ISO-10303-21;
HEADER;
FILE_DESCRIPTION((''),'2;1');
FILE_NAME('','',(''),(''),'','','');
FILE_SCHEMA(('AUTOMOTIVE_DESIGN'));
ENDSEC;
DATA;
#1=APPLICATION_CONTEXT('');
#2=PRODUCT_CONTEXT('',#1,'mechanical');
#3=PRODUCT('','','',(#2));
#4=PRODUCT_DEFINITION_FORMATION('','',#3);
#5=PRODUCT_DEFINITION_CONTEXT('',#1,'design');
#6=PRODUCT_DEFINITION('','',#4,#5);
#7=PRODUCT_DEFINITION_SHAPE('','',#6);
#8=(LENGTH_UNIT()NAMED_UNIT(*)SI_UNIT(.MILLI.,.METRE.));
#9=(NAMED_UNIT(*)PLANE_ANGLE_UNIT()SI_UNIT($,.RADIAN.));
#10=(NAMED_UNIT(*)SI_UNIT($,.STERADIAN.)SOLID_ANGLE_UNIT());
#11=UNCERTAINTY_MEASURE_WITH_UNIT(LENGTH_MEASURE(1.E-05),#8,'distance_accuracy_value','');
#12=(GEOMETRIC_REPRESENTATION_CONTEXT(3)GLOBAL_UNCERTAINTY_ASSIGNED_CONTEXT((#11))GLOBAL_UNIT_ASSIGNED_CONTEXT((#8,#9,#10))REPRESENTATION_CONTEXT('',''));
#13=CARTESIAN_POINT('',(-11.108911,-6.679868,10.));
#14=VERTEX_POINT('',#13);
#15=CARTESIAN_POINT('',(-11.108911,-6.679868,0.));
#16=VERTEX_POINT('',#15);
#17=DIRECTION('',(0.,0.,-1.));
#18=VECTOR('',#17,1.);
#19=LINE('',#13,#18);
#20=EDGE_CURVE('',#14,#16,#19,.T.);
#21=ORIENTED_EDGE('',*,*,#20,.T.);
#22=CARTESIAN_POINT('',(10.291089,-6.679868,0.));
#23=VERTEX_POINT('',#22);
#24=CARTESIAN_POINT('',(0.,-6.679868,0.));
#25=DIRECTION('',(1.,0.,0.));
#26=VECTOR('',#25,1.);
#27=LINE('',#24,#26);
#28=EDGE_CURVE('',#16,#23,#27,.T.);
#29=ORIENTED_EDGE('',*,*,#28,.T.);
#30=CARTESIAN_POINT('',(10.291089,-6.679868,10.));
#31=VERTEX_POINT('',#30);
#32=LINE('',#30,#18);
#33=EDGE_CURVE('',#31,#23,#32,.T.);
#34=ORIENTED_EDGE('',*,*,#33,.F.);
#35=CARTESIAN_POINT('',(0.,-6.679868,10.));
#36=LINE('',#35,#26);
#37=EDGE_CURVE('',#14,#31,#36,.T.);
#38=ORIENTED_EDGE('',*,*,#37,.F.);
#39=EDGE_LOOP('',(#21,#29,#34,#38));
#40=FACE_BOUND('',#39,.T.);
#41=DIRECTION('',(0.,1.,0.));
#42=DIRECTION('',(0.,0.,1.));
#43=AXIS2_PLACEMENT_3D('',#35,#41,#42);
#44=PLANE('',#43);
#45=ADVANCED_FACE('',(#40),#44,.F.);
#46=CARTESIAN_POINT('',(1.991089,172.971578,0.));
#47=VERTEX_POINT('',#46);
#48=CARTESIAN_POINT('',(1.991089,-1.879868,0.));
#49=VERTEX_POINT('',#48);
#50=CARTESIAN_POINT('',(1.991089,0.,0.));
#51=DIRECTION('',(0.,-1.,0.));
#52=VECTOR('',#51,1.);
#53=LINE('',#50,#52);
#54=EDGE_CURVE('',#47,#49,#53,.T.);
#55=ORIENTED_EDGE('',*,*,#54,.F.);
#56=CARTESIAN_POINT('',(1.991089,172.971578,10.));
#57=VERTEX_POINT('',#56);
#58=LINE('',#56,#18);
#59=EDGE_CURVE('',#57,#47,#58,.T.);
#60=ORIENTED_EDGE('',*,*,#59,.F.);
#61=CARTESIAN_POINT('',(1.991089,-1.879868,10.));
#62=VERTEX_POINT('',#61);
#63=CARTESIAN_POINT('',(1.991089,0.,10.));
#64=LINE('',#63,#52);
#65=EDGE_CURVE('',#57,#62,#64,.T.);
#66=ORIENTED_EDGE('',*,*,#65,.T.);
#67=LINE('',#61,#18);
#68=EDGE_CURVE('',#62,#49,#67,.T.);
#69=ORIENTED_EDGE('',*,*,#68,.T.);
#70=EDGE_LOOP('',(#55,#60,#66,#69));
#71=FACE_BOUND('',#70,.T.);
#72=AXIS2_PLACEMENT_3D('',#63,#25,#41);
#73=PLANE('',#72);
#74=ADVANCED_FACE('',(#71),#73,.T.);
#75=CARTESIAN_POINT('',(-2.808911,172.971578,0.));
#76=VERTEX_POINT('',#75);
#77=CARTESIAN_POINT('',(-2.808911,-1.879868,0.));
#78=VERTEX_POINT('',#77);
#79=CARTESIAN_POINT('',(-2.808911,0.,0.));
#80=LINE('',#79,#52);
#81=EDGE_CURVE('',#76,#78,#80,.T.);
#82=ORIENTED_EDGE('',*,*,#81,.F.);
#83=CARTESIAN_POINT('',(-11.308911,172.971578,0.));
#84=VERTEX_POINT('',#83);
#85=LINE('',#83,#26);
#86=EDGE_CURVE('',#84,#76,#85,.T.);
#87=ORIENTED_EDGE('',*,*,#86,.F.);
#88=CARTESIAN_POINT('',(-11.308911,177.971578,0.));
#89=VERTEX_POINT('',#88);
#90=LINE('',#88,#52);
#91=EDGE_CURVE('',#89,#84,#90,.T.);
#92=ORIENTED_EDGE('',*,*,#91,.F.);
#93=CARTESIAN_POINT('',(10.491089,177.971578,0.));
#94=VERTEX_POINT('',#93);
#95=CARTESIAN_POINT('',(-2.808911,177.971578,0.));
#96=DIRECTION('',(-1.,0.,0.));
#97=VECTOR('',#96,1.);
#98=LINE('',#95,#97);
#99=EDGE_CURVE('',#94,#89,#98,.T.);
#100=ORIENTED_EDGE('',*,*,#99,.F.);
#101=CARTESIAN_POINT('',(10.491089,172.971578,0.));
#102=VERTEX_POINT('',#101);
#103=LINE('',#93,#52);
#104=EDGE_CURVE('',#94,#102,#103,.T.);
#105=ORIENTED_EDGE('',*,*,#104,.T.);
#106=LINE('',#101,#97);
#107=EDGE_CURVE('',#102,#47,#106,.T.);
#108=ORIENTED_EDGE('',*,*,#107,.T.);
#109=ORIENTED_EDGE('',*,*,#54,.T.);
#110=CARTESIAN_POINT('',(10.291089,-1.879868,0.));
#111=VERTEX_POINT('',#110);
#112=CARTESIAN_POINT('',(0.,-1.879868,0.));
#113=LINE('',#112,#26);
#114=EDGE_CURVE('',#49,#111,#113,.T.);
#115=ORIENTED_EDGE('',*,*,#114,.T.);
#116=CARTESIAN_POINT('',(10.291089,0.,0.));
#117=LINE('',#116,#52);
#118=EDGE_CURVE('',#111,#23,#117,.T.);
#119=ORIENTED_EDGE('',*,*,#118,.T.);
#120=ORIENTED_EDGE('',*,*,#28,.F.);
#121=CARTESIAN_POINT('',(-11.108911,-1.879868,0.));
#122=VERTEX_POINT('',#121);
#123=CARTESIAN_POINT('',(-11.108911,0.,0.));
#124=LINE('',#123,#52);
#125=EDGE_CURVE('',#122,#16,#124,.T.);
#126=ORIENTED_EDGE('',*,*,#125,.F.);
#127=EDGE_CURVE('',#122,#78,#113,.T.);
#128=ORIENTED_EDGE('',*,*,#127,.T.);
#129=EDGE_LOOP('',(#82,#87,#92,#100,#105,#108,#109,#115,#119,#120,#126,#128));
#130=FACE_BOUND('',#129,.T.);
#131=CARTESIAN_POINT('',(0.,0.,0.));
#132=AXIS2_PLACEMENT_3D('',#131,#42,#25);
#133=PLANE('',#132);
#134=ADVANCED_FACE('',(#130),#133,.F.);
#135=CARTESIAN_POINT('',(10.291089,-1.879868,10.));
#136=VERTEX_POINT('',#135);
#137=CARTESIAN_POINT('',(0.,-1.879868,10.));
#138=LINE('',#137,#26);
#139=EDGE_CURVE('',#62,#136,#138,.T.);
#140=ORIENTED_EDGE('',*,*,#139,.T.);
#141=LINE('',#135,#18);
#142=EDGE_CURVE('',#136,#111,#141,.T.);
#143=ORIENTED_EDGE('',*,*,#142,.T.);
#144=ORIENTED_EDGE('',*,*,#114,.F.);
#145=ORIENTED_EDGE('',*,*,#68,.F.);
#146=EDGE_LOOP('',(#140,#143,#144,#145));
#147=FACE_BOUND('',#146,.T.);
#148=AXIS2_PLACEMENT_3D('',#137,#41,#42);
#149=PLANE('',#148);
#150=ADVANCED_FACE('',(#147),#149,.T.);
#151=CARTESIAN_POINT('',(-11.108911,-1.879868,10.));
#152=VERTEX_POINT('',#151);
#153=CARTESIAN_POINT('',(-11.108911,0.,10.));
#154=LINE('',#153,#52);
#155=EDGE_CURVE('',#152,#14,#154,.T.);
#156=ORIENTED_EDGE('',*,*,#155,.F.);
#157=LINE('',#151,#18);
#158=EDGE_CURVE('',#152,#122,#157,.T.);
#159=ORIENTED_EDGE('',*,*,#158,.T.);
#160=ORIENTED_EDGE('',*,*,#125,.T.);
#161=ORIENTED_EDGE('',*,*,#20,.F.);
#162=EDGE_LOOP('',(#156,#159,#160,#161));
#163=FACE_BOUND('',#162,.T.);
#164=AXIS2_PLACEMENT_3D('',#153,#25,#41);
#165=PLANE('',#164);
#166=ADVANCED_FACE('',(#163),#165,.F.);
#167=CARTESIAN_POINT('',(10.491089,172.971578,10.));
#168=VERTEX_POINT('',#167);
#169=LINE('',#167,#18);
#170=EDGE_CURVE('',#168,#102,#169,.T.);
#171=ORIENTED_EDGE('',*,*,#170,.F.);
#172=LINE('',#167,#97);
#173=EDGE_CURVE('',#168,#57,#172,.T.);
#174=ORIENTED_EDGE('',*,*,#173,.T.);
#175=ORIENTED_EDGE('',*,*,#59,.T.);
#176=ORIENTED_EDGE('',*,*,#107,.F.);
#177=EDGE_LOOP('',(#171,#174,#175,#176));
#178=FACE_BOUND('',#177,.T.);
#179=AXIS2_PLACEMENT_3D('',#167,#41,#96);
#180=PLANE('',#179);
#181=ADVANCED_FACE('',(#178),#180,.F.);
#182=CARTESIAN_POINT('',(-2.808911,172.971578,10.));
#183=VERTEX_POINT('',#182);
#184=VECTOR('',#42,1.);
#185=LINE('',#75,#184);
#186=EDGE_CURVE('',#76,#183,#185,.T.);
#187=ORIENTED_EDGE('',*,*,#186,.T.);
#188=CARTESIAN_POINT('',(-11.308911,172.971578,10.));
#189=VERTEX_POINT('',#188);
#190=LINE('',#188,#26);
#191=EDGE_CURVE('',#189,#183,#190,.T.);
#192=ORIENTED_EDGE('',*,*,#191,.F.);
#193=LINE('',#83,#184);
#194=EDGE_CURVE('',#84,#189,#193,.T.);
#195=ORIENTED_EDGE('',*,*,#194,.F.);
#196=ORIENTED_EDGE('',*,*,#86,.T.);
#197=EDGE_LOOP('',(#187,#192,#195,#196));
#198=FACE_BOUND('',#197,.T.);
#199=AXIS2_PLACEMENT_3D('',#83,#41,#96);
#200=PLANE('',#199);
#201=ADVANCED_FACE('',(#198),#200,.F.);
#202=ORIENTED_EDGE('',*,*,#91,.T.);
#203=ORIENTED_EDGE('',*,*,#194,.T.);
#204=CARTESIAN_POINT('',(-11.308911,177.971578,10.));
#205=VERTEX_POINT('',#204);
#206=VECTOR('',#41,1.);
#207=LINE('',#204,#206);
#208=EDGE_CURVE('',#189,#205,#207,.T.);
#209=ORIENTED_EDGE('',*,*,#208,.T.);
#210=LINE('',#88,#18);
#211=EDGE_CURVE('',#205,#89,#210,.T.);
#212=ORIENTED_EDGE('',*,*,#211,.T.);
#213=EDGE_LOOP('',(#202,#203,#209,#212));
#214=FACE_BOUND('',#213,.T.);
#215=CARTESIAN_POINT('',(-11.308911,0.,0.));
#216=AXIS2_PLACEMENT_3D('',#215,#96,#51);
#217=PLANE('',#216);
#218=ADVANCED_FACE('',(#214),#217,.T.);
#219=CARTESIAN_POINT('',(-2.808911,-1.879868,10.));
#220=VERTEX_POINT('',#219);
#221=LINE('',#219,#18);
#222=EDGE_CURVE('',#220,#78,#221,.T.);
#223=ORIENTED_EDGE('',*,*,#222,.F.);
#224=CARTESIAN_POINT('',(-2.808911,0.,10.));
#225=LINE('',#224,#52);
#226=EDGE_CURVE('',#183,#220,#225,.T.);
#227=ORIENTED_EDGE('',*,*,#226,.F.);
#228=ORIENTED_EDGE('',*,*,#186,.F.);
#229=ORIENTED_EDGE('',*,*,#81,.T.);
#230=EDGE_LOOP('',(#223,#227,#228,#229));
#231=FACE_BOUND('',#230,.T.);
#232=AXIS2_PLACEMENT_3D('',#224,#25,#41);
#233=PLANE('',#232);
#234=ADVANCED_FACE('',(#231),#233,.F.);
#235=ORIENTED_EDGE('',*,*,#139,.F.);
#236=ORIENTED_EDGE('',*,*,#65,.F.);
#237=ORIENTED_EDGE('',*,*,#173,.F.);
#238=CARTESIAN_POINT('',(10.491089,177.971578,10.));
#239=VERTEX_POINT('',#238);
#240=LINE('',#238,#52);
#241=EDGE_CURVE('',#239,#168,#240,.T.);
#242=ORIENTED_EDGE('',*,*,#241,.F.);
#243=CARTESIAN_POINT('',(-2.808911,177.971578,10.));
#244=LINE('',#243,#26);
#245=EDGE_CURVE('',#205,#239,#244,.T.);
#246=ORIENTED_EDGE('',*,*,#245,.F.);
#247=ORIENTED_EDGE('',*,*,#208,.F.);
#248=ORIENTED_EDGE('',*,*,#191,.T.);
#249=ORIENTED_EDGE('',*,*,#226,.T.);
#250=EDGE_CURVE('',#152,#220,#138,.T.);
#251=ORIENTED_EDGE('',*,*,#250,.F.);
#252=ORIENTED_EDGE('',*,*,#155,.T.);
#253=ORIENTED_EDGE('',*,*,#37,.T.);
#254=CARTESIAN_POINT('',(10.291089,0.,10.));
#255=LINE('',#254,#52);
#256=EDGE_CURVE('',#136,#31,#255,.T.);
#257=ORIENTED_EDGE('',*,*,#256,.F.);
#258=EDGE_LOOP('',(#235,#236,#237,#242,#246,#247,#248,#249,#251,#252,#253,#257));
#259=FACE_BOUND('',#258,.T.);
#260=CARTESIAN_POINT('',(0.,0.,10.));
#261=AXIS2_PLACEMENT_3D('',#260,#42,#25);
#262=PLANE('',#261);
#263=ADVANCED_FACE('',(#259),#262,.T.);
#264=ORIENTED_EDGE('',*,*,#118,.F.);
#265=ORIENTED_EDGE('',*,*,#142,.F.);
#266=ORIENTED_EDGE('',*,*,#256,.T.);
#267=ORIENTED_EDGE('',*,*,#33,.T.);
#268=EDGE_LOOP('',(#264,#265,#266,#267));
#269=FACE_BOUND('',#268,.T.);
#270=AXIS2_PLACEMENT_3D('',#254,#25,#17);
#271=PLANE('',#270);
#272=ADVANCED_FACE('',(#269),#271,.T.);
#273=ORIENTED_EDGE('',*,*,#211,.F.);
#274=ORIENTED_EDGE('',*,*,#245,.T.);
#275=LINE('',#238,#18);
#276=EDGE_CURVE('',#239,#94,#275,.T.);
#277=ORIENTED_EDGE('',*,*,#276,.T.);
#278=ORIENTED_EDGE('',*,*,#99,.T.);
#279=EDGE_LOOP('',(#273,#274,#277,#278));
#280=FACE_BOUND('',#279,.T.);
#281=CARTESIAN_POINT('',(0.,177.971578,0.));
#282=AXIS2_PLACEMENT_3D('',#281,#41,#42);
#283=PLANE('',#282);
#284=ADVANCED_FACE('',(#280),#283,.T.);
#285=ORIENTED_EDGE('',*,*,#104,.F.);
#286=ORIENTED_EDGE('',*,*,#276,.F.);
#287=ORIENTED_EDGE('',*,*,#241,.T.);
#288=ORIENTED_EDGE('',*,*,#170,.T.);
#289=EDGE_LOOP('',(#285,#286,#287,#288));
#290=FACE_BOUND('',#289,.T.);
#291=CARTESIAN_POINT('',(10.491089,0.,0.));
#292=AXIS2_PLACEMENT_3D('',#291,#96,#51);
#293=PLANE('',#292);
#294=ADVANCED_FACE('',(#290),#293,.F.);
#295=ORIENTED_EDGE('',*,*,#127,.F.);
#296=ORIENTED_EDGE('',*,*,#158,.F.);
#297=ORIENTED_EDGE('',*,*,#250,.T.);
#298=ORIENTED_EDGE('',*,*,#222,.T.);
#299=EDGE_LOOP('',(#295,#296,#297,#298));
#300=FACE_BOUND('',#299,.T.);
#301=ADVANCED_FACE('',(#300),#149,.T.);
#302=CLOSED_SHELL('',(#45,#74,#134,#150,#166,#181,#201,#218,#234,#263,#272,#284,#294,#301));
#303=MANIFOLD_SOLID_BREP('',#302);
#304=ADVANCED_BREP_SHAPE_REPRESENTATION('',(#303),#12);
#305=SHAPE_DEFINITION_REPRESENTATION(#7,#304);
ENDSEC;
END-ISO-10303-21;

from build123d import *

# Parameters (mm, degrees)
SKETCH1_W           = 4.8
SKETCH1_H           = 2.351445648
SKETCH1_W_2         = 21.4
SKETCH1_H_2         = 4.8
BOSS_EXTRUDE1_DEPTH = 10
SKETCH2_W           = 4.8
SKETCH2_H           = 10
BOSS_EXTRUDE2_DEPTH = 177.5
SKETCH4_W           = 10
SKETCH4_H           = 5
BOSS_EXTRUDE6_DEPTH = 8.5
SKETCH8_W           = 10
SKETCH8_H           = 5
BOSS_EXTRUDE7_DEPTH = 8.5


with BuildPart() as part:
    # Sketch1 → Boss-Extrude1 (new body)
    with BuildSketch(Plane.XY):
        with Locations((-0.408910891, -0.704145163)):
            Rectangle(SKETCH1_W, SKETCH1_H)
        with Locations((-0.408910891, -4.279867987)):
            Rectangle(SKETCH1_W_2, SKETCH1_H_2)
    extrude(amount=BOSS_EXTRUDE1_DEPTH)

    # Sketch2 → Boss-Extrude2 (add)
    with BuildSketch(Plane(origin=(0, 0.471577661, 0), x_dir=(1, 0, 0), z_dir=(0, 1, 0))):
        with Locations((-0.408910891, -5)):
            Rectangle(SKETCH2_W, SKETCH2_H)
    extrude(amount=BOSS_EXTRUDE2_DEPTH)

    # Sketch4 → Boss-Extrude6 (add)
    with BuildSketch(Plane(origin=(1.991089109, 0, 0), x_dir=(0, 0, -1), z_dir=(1, 0, 0))):
        with Locations((-5, 175.471577661)):
            Rectangle(SKETCH4_W, SKETCH4_H)
    extrude(amount=BOSS_EXTRUDE6_DEPTH)

    # Sketch8 → Boss-Extrude7 (add)
    with BuildSketch(Plane.ZY.offset(2.808910891)):
        with Locations((5, 175.471577661)):
            Rectangle(SKETCH8_W, SKETCH8_H)
    extrude(amount=BOSS_EXTRUDE7_DEPTH)


solid = part.part
